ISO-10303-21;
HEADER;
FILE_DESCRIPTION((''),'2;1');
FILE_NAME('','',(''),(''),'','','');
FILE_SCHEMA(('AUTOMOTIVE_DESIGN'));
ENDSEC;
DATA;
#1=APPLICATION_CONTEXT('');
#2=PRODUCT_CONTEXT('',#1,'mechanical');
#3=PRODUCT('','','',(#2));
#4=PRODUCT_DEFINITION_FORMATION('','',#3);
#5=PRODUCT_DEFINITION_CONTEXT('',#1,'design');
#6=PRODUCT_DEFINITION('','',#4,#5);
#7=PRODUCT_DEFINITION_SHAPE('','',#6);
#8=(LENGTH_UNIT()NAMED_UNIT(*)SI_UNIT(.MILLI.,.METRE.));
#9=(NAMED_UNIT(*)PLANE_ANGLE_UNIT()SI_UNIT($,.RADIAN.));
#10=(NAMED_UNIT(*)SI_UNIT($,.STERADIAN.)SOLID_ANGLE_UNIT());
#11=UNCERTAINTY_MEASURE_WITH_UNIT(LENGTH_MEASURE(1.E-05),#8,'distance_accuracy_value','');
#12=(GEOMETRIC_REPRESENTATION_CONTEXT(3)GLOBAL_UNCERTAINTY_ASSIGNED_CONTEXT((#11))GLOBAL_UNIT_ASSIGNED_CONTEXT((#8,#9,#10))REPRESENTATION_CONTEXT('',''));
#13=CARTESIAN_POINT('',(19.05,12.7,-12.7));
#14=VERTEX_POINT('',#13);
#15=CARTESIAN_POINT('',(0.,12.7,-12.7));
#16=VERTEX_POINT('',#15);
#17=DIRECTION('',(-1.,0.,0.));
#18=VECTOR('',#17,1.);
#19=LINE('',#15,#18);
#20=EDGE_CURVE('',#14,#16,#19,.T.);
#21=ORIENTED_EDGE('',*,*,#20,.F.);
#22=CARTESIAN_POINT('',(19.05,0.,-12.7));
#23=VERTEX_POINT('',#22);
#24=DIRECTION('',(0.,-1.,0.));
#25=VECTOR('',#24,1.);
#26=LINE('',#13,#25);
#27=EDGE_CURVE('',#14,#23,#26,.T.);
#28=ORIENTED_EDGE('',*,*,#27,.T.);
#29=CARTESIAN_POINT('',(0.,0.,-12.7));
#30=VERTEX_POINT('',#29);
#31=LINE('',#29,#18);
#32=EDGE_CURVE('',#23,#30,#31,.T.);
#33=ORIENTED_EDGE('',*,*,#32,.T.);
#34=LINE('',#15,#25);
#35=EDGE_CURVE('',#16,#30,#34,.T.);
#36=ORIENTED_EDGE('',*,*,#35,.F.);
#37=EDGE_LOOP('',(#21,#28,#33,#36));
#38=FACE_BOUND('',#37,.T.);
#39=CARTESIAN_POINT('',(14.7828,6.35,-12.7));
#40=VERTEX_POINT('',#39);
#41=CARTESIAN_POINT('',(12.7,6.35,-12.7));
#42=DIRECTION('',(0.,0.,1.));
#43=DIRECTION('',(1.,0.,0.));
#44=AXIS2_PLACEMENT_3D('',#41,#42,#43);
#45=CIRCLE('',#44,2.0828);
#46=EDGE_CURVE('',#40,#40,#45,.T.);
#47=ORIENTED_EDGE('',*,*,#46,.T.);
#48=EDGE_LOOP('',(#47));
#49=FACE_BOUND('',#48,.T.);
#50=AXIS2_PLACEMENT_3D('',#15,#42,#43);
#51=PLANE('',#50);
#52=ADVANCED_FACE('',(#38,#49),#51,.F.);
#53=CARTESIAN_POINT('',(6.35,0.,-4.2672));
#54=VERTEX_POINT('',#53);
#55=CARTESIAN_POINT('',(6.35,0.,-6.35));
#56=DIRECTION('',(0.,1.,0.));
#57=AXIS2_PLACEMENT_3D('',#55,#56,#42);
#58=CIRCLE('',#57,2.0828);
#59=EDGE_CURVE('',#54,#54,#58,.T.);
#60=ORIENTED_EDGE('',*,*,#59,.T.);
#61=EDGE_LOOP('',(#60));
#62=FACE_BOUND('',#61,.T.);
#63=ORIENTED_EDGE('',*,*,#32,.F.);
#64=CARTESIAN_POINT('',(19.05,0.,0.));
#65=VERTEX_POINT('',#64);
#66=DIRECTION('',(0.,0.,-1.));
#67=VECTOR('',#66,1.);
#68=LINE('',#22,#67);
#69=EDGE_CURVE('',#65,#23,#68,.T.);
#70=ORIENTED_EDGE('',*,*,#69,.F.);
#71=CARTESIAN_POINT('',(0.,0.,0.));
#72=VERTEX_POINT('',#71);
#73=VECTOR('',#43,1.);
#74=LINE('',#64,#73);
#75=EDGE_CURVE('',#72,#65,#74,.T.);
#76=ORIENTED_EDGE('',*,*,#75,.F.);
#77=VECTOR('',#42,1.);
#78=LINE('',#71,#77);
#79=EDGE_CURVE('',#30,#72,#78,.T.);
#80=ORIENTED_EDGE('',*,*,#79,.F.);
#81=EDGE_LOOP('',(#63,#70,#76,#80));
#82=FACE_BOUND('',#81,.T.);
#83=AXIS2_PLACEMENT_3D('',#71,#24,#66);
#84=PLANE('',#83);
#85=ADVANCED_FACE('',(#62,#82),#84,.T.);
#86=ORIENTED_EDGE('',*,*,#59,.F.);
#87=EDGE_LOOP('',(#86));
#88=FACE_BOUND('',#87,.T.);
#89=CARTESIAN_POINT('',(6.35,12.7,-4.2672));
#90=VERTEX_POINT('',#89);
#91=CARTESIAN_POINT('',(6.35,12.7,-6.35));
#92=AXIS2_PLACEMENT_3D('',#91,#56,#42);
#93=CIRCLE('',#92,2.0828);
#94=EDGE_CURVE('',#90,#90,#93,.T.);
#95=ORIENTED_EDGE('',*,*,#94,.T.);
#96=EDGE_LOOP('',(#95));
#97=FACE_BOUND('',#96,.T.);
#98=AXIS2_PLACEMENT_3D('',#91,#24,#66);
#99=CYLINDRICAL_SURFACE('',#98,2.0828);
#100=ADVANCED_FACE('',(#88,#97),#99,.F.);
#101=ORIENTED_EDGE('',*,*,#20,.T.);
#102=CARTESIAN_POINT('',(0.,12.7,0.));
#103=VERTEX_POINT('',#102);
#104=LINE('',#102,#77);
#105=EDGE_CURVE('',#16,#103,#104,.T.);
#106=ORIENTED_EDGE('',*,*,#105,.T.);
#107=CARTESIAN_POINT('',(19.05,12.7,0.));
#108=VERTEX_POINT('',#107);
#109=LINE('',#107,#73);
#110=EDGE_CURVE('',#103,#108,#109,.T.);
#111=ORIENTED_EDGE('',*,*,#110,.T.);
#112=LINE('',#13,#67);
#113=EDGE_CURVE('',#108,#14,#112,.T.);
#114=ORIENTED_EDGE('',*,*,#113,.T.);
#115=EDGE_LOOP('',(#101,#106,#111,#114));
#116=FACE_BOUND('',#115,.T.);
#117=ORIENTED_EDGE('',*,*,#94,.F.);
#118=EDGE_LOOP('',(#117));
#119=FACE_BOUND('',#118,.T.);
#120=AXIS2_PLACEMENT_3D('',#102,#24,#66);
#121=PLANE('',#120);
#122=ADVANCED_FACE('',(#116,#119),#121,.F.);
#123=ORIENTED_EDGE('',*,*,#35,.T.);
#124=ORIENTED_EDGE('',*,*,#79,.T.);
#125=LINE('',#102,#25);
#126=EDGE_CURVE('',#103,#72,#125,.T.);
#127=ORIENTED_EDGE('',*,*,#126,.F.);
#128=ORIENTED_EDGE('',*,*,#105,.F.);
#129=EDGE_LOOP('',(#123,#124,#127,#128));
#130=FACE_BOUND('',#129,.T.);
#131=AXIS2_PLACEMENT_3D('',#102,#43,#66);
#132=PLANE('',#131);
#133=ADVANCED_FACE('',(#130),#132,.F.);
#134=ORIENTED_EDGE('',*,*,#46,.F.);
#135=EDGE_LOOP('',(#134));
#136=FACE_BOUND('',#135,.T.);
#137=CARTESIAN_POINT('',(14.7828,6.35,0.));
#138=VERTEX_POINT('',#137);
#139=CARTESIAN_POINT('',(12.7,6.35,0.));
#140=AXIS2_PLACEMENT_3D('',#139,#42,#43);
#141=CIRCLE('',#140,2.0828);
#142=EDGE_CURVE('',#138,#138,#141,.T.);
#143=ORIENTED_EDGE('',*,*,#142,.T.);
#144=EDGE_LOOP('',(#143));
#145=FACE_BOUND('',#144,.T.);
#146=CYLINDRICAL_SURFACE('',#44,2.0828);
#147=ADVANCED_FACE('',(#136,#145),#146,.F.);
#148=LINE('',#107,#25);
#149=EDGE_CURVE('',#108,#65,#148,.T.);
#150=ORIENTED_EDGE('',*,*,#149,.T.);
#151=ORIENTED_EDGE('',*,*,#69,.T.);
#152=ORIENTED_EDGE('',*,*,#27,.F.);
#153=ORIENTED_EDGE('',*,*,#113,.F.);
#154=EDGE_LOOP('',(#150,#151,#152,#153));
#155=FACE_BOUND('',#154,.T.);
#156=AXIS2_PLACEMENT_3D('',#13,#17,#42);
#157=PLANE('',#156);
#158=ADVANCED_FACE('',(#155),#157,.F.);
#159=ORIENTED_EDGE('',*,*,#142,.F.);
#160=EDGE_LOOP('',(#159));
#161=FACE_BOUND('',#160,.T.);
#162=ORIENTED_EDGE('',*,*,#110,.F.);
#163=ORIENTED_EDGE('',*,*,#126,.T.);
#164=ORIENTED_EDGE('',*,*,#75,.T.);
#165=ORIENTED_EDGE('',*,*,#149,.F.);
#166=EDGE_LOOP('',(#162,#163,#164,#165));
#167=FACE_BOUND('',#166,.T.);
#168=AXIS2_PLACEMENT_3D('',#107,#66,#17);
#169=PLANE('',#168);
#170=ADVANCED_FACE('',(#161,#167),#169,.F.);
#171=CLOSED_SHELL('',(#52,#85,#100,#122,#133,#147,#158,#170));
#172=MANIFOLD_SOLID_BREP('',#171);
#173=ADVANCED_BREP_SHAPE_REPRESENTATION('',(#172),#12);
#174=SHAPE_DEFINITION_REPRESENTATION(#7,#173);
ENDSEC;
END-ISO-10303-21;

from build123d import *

# Parameters (mm, degrees)
SKETCH1_W           = 19.05
SKETCH1_H           = 12.7
SKETCH1_R           = 2.0828
BOSS_EXTRUDE1_DEPTH = 12.7
SKETCH2_R           = 2.0828
CUT_EXTRUDE1_DEPTH  = 12.7


with BuildPart() as part:
    # Sketch1 → Boss-Extrude1 (new body)
    with BuildSketch(Plane(origin=(0, 0, 0), x_dir=(1, 0, 0), z_dir=(0, 1, 0))):
        with Locations((9.525, 6.35)):
            Rectangle(SKETCH1_W, SKETCH1_H)
        with Locations(Location((6.35, 6.35, 0), (0, 0, 270))):
            Circle(SKETCH1_R, mode=Mode.SUBTRACT)
    extrude(amount=BOSS_EXTRUDE1_DEPTH)

    # Sketch2 → Cut-Extrude1 (cut)
    with BuildSketch(Plane.XY):
        with Locations((12.7, 6.35)):
            Circle(SKETCH2_R)
    extrude(amount=-CUT_EXTRUDE1_DEPTH, mode=Mode.SUBTRACT)


solid = part.part
